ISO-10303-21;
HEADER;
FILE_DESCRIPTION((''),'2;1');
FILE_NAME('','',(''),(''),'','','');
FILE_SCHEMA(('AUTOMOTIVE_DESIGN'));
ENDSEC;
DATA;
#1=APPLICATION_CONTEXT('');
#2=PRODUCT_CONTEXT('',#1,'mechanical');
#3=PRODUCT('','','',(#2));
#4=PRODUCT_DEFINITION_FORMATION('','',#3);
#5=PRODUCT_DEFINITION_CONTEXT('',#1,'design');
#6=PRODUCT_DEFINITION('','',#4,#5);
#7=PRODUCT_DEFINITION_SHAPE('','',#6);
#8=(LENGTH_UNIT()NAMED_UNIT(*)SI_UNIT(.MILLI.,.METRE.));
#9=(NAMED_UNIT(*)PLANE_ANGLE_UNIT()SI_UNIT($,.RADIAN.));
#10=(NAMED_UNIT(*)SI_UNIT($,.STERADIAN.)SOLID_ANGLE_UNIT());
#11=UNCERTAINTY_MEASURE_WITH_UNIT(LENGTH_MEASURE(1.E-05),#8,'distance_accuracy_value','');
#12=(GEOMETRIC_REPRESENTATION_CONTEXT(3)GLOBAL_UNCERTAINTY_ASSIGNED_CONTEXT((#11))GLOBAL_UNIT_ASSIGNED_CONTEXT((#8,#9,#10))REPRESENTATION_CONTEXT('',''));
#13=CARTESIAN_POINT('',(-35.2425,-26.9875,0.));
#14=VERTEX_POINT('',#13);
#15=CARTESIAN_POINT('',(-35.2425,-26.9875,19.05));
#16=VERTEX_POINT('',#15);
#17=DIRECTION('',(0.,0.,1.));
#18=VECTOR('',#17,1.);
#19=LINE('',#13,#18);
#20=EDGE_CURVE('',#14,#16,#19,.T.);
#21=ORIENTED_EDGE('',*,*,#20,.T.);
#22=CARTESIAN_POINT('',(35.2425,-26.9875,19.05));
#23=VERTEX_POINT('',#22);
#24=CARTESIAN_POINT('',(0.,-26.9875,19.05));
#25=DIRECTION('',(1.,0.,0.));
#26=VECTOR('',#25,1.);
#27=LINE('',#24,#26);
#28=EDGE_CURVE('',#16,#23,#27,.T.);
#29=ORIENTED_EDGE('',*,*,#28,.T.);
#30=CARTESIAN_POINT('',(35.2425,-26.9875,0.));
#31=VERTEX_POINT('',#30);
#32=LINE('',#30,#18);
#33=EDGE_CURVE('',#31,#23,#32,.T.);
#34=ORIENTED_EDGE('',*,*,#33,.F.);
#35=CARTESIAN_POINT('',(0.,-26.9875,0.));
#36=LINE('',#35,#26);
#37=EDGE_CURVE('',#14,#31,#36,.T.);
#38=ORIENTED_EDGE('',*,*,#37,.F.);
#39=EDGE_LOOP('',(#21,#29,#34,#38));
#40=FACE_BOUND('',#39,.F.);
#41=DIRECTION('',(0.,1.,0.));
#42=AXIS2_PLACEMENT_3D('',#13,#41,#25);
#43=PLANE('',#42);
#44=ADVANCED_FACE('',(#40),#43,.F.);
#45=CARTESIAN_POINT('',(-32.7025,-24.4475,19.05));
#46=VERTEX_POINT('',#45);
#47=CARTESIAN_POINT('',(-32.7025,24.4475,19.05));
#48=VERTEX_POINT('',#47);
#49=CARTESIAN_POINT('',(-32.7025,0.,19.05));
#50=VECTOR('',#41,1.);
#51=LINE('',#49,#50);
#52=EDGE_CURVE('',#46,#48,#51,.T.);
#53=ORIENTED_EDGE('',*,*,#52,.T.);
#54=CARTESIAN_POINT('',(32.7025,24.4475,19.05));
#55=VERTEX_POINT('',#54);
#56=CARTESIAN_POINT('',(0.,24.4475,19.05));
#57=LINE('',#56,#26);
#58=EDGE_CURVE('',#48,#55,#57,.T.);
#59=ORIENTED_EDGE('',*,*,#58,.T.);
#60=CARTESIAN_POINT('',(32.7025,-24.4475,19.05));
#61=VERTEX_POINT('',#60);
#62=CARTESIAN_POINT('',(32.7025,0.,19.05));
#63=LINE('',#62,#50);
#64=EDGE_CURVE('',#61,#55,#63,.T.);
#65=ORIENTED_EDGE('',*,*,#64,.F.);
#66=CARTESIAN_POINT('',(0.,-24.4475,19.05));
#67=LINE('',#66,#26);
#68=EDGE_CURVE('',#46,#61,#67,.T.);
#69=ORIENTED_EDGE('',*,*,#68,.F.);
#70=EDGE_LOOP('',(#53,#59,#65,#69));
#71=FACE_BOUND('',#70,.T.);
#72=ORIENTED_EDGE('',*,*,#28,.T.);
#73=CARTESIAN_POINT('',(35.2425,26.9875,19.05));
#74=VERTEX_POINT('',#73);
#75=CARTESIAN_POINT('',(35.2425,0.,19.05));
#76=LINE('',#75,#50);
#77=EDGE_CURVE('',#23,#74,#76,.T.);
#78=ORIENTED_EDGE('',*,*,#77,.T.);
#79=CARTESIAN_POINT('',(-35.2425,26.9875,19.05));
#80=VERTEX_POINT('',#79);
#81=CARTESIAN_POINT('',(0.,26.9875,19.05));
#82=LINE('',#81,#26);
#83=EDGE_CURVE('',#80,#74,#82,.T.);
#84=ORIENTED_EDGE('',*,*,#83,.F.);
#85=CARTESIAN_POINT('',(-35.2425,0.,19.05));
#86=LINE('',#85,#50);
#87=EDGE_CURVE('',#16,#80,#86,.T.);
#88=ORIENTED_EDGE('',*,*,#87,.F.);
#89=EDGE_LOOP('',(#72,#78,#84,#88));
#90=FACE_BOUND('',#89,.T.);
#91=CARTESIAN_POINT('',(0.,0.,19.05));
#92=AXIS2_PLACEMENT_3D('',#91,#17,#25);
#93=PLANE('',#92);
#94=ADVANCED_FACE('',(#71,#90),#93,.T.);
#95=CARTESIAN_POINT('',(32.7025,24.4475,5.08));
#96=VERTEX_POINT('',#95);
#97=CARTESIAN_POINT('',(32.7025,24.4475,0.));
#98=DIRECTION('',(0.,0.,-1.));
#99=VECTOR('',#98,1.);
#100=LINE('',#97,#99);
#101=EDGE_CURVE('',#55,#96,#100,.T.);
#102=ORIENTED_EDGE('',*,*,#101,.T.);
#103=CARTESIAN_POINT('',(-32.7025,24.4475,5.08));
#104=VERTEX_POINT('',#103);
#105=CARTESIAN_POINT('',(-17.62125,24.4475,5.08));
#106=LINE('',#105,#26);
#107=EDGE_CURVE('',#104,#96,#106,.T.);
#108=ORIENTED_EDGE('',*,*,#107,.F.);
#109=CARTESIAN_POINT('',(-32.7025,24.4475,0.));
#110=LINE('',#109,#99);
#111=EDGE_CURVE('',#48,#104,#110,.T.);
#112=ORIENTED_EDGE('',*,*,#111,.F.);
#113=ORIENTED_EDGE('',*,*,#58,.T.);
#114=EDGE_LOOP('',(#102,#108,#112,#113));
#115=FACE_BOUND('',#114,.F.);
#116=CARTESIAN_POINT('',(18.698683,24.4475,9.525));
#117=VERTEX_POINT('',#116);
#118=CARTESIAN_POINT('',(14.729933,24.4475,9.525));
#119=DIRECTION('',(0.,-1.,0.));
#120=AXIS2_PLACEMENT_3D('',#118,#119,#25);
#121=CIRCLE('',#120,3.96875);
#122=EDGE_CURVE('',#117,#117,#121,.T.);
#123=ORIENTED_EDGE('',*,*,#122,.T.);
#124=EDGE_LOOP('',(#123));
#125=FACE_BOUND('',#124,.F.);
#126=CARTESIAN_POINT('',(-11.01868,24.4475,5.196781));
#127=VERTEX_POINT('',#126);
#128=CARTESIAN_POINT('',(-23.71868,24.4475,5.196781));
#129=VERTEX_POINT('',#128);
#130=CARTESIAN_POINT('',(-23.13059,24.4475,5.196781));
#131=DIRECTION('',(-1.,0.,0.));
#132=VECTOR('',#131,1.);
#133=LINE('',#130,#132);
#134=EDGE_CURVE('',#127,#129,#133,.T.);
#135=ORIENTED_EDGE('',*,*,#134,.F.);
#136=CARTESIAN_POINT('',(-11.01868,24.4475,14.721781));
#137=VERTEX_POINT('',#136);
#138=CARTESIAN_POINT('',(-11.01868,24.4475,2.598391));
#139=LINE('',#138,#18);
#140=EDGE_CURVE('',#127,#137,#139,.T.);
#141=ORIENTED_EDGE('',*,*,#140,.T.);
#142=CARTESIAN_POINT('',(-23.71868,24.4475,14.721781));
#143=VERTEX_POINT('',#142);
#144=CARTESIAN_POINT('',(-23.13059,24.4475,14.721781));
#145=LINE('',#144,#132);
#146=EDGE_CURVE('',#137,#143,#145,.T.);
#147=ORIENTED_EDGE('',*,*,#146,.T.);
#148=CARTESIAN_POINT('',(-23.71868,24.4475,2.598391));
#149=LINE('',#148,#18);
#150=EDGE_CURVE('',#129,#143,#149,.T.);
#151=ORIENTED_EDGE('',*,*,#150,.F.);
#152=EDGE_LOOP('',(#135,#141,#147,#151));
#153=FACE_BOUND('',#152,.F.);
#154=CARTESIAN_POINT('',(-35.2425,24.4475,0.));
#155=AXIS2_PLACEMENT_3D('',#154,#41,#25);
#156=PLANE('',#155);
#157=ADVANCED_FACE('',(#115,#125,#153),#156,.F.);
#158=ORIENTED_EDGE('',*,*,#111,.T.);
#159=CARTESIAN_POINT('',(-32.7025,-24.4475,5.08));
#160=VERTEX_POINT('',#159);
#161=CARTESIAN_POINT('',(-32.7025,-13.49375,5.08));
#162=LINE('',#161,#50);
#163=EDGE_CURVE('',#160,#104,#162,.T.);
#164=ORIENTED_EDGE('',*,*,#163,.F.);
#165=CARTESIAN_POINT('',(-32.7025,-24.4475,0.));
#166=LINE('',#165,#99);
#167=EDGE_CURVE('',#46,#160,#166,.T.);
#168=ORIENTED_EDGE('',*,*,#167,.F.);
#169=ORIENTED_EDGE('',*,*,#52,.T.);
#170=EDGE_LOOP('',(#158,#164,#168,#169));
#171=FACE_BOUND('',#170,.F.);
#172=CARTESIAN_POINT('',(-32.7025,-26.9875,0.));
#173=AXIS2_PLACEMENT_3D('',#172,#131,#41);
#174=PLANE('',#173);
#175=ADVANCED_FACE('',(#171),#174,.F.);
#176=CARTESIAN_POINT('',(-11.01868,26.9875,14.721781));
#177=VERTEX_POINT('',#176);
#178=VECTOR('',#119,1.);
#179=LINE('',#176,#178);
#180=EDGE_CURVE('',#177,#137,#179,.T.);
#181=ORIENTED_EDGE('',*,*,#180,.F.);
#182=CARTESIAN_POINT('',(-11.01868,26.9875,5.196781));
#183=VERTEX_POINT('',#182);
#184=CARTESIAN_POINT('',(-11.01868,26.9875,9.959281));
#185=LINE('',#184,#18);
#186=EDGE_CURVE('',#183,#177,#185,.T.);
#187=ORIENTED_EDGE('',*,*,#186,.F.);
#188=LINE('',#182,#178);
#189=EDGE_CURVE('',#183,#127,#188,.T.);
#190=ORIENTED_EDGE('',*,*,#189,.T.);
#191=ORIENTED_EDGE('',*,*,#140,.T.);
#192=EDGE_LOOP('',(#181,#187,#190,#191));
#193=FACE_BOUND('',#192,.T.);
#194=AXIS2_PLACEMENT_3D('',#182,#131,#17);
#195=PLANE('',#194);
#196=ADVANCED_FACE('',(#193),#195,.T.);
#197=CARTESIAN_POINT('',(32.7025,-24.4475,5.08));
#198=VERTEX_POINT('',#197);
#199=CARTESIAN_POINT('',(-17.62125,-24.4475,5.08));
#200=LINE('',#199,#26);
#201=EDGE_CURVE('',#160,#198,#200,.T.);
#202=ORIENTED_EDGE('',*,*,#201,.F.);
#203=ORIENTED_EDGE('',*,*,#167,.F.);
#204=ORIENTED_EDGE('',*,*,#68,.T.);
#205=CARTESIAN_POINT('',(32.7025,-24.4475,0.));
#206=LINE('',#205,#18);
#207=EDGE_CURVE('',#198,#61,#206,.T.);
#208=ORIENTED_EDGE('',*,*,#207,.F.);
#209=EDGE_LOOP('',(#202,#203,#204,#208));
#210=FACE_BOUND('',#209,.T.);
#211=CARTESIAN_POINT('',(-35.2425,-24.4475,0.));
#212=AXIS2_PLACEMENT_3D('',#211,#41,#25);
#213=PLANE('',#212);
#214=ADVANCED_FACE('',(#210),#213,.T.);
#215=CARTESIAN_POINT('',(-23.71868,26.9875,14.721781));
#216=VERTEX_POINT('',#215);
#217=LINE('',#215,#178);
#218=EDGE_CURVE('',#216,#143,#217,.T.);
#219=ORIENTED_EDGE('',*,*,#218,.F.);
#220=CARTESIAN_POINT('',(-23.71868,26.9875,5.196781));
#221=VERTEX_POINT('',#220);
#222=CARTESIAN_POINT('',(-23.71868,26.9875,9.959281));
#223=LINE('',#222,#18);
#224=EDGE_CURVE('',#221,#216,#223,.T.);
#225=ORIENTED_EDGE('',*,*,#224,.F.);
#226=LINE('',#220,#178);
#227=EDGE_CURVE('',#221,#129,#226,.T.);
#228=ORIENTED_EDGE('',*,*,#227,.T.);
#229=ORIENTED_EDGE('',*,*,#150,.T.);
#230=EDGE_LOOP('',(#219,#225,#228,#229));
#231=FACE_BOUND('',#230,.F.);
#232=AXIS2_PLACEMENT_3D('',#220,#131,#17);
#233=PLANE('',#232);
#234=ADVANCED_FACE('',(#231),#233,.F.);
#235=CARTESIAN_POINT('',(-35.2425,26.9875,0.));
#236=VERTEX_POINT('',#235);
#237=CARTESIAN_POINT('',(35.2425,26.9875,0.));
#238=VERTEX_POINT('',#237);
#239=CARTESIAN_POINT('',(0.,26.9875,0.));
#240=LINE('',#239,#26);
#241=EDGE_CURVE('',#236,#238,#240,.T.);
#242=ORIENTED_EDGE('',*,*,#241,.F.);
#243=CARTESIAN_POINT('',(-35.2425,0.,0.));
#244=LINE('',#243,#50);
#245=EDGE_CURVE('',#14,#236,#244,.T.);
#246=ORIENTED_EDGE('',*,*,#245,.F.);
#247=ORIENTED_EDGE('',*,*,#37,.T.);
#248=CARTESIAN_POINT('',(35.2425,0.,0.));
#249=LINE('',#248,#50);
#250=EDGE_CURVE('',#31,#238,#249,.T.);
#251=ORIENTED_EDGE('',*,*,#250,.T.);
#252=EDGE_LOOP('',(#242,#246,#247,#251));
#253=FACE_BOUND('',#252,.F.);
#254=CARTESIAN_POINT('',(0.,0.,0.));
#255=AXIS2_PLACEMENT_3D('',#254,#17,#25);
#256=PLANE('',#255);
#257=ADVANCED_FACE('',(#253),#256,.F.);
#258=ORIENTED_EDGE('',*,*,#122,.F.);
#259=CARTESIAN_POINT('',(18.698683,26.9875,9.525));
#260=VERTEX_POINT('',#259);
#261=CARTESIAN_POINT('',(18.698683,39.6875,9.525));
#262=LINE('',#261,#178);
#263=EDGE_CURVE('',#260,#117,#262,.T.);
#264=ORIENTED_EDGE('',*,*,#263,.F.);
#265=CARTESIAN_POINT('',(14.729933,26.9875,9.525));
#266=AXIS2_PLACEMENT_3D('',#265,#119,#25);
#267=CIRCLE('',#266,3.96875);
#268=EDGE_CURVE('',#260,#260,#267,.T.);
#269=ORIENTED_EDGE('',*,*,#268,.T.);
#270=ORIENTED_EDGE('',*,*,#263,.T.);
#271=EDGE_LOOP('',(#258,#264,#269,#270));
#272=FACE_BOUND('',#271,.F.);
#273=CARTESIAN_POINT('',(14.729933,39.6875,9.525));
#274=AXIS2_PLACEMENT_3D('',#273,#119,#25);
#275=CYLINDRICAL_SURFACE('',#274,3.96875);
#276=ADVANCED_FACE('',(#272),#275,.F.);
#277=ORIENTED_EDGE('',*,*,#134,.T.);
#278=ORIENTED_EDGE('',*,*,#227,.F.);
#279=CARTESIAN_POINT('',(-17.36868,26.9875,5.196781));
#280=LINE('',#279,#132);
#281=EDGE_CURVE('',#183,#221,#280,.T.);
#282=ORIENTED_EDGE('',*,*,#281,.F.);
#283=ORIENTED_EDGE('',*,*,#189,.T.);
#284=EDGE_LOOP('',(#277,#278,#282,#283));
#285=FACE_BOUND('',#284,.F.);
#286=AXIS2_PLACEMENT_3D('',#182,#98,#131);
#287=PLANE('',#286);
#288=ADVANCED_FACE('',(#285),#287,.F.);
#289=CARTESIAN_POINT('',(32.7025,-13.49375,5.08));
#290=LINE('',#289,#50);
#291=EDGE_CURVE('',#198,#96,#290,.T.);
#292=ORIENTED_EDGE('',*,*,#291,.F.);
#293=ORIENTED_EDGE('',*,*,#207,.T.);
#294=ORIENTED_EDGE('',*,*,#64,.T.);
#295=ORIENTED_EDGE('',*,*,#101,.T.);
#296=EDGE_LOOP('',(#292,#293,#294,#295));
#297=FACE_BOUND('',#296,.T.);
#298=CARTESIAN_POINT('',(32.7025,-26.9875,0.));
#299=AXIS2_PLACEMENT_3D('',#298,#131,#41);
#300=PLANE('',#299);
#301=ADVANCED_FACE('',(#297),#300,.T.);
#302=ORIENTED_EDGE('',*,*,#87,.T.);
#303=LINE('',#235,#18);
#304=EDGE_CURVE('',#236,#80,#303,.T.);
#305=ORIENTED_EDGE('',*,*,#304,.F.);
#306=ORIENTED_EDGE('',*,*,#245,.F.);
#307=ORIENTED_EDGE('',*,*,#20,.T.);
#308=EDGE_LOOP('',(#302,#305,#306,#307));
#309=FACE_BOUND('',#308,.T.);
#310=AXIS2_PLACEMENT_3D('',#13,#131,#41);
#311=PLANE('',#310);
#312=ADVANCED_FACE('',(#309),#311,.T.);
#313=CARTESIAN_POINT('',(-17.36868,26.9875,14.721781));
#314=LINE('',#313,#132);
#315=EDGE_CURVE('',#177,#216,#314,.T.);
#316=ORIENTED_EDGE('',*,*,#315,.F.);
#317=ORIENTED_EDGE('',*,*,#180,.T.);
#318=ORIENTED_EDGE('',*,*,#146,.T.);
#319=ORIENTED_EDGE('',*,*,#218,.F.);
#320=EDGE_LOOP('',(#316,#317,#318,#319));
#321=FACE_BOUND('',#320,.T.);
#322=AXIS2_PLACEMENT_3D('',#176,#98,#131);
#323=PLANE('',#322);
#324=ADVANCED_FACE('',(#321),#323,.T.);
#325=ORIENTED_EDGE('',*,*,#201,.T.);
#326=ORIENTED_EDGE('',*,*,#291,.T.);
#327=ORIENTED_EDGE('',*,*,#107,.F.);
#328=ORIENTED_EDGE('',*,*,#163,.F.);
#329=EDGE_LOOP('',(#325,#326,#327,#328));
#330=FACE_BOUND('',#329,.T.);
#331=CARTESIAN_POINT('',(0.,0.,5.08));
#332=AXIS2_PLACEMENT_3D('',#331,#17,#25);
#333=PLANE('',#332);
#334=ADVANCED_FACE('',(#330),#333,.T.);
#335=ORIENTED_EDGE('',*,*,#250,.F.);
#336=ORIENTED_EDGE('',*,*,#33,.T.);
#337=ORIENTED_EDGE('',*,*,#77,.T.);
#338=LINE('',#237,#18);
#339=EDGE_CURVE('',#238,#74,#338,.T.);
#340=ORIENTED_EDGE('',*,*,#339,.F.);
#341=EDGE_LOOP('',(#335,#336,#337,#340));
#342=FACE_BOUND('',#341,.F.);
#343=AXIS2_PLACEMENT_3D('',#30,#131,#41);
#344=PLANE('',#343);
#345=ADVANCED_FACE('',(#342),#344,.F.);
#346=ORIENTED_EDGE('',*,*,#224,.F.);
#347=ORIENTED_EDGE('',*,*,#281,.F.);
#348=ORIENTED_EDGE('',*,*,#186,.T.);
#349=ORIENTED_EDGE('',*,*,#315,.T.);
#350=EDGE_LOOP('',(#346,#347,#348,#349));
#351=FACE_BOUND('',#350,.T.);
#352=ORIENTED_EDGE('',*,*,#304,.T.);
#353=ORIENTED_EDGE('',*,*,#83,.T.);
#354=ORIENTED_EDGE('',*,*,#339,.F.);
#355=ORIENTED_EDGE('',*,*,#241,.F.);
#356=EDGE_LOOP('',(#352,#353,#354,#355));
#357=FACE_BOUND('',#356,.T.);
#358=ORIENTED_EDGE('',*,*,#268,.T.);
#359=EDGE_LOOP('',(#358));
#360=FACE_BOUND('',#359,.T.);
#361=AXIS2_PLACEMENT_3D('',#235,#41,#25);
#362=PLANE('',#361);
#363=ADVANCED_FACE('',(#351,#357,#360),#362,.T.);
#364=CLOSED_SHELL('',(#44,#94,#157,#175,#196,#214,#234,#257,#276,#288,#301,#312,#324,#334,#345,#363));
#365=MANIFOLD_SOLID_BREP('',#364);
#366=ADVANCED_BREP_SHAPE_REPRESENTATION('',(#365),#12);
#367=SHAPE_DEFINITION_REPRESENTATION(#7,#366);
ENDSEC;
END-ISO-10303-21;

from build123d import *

# Parameters (mm, degrees)
F0_W     = 70.485
F0_H     = 53.975
F1_DEPTH = 19.05
F2_T     = -2.54
F3_W     = 12.7
F3_H     = 9.525
F4_DEPTH = 3.302
F6_D     = 7.9375
F6_DEPTH = 12.7
F6_TIP   = 2.3846655818
F7_DEPTH = 2.54


with BuildPart() as f1:
    # F0 (on Top) → F1 (new body)
    with BuildSketch(Plane.XY):
        Rectangle(F0_W, F0_H)
    extrude(amount=F1_DEPTH)

    # F2
    f2_openings = [f1.faces().sort_by_distance(p)[0] for p in [
        (0, 0, 19.05),
    ]]
    offset(amount=F2_T, openings=f2_openings)

    # F3 (on face) → F4 (cut)
    with BuildSketch(Plane(origin=(0, 26.9875, 0), x_dir=(-1, 0, 0), z_dir=(0, 1, 0))):
        with Locations((17.3686798662, 9.959281401)):
            Rectangle(F3_W, F3_H)
    extrude(amount=-F4_DEPTH, mode=Mode.SUBTRACT)

    # F6
    with Locations(Plane(origin=(0, 26.9875, 0), x_dir=(-1, 0, 0), z_dir=(0, 1, 0))):
        with Locations((-14.7299328819, 9.525)):
            Hole(F6_D / 2, depth=F6_DEPTH)
            with Locations((0, 0, -(F6_DEPTH + F6_TIP / 2))):  # 118° drill point
                Cone(0, F6_D / 2, F6_TIP, mode=Mode.SUBTRACT)

    # F7 (add): a face of the model
    f7_faces = [f1.faces().sort_by_distance(p)[0] for p in [
        (0, 0, 2.54),
    ]]
    extrude(f7_faces, amount=F7_DEPTH)


solid = f1.part
